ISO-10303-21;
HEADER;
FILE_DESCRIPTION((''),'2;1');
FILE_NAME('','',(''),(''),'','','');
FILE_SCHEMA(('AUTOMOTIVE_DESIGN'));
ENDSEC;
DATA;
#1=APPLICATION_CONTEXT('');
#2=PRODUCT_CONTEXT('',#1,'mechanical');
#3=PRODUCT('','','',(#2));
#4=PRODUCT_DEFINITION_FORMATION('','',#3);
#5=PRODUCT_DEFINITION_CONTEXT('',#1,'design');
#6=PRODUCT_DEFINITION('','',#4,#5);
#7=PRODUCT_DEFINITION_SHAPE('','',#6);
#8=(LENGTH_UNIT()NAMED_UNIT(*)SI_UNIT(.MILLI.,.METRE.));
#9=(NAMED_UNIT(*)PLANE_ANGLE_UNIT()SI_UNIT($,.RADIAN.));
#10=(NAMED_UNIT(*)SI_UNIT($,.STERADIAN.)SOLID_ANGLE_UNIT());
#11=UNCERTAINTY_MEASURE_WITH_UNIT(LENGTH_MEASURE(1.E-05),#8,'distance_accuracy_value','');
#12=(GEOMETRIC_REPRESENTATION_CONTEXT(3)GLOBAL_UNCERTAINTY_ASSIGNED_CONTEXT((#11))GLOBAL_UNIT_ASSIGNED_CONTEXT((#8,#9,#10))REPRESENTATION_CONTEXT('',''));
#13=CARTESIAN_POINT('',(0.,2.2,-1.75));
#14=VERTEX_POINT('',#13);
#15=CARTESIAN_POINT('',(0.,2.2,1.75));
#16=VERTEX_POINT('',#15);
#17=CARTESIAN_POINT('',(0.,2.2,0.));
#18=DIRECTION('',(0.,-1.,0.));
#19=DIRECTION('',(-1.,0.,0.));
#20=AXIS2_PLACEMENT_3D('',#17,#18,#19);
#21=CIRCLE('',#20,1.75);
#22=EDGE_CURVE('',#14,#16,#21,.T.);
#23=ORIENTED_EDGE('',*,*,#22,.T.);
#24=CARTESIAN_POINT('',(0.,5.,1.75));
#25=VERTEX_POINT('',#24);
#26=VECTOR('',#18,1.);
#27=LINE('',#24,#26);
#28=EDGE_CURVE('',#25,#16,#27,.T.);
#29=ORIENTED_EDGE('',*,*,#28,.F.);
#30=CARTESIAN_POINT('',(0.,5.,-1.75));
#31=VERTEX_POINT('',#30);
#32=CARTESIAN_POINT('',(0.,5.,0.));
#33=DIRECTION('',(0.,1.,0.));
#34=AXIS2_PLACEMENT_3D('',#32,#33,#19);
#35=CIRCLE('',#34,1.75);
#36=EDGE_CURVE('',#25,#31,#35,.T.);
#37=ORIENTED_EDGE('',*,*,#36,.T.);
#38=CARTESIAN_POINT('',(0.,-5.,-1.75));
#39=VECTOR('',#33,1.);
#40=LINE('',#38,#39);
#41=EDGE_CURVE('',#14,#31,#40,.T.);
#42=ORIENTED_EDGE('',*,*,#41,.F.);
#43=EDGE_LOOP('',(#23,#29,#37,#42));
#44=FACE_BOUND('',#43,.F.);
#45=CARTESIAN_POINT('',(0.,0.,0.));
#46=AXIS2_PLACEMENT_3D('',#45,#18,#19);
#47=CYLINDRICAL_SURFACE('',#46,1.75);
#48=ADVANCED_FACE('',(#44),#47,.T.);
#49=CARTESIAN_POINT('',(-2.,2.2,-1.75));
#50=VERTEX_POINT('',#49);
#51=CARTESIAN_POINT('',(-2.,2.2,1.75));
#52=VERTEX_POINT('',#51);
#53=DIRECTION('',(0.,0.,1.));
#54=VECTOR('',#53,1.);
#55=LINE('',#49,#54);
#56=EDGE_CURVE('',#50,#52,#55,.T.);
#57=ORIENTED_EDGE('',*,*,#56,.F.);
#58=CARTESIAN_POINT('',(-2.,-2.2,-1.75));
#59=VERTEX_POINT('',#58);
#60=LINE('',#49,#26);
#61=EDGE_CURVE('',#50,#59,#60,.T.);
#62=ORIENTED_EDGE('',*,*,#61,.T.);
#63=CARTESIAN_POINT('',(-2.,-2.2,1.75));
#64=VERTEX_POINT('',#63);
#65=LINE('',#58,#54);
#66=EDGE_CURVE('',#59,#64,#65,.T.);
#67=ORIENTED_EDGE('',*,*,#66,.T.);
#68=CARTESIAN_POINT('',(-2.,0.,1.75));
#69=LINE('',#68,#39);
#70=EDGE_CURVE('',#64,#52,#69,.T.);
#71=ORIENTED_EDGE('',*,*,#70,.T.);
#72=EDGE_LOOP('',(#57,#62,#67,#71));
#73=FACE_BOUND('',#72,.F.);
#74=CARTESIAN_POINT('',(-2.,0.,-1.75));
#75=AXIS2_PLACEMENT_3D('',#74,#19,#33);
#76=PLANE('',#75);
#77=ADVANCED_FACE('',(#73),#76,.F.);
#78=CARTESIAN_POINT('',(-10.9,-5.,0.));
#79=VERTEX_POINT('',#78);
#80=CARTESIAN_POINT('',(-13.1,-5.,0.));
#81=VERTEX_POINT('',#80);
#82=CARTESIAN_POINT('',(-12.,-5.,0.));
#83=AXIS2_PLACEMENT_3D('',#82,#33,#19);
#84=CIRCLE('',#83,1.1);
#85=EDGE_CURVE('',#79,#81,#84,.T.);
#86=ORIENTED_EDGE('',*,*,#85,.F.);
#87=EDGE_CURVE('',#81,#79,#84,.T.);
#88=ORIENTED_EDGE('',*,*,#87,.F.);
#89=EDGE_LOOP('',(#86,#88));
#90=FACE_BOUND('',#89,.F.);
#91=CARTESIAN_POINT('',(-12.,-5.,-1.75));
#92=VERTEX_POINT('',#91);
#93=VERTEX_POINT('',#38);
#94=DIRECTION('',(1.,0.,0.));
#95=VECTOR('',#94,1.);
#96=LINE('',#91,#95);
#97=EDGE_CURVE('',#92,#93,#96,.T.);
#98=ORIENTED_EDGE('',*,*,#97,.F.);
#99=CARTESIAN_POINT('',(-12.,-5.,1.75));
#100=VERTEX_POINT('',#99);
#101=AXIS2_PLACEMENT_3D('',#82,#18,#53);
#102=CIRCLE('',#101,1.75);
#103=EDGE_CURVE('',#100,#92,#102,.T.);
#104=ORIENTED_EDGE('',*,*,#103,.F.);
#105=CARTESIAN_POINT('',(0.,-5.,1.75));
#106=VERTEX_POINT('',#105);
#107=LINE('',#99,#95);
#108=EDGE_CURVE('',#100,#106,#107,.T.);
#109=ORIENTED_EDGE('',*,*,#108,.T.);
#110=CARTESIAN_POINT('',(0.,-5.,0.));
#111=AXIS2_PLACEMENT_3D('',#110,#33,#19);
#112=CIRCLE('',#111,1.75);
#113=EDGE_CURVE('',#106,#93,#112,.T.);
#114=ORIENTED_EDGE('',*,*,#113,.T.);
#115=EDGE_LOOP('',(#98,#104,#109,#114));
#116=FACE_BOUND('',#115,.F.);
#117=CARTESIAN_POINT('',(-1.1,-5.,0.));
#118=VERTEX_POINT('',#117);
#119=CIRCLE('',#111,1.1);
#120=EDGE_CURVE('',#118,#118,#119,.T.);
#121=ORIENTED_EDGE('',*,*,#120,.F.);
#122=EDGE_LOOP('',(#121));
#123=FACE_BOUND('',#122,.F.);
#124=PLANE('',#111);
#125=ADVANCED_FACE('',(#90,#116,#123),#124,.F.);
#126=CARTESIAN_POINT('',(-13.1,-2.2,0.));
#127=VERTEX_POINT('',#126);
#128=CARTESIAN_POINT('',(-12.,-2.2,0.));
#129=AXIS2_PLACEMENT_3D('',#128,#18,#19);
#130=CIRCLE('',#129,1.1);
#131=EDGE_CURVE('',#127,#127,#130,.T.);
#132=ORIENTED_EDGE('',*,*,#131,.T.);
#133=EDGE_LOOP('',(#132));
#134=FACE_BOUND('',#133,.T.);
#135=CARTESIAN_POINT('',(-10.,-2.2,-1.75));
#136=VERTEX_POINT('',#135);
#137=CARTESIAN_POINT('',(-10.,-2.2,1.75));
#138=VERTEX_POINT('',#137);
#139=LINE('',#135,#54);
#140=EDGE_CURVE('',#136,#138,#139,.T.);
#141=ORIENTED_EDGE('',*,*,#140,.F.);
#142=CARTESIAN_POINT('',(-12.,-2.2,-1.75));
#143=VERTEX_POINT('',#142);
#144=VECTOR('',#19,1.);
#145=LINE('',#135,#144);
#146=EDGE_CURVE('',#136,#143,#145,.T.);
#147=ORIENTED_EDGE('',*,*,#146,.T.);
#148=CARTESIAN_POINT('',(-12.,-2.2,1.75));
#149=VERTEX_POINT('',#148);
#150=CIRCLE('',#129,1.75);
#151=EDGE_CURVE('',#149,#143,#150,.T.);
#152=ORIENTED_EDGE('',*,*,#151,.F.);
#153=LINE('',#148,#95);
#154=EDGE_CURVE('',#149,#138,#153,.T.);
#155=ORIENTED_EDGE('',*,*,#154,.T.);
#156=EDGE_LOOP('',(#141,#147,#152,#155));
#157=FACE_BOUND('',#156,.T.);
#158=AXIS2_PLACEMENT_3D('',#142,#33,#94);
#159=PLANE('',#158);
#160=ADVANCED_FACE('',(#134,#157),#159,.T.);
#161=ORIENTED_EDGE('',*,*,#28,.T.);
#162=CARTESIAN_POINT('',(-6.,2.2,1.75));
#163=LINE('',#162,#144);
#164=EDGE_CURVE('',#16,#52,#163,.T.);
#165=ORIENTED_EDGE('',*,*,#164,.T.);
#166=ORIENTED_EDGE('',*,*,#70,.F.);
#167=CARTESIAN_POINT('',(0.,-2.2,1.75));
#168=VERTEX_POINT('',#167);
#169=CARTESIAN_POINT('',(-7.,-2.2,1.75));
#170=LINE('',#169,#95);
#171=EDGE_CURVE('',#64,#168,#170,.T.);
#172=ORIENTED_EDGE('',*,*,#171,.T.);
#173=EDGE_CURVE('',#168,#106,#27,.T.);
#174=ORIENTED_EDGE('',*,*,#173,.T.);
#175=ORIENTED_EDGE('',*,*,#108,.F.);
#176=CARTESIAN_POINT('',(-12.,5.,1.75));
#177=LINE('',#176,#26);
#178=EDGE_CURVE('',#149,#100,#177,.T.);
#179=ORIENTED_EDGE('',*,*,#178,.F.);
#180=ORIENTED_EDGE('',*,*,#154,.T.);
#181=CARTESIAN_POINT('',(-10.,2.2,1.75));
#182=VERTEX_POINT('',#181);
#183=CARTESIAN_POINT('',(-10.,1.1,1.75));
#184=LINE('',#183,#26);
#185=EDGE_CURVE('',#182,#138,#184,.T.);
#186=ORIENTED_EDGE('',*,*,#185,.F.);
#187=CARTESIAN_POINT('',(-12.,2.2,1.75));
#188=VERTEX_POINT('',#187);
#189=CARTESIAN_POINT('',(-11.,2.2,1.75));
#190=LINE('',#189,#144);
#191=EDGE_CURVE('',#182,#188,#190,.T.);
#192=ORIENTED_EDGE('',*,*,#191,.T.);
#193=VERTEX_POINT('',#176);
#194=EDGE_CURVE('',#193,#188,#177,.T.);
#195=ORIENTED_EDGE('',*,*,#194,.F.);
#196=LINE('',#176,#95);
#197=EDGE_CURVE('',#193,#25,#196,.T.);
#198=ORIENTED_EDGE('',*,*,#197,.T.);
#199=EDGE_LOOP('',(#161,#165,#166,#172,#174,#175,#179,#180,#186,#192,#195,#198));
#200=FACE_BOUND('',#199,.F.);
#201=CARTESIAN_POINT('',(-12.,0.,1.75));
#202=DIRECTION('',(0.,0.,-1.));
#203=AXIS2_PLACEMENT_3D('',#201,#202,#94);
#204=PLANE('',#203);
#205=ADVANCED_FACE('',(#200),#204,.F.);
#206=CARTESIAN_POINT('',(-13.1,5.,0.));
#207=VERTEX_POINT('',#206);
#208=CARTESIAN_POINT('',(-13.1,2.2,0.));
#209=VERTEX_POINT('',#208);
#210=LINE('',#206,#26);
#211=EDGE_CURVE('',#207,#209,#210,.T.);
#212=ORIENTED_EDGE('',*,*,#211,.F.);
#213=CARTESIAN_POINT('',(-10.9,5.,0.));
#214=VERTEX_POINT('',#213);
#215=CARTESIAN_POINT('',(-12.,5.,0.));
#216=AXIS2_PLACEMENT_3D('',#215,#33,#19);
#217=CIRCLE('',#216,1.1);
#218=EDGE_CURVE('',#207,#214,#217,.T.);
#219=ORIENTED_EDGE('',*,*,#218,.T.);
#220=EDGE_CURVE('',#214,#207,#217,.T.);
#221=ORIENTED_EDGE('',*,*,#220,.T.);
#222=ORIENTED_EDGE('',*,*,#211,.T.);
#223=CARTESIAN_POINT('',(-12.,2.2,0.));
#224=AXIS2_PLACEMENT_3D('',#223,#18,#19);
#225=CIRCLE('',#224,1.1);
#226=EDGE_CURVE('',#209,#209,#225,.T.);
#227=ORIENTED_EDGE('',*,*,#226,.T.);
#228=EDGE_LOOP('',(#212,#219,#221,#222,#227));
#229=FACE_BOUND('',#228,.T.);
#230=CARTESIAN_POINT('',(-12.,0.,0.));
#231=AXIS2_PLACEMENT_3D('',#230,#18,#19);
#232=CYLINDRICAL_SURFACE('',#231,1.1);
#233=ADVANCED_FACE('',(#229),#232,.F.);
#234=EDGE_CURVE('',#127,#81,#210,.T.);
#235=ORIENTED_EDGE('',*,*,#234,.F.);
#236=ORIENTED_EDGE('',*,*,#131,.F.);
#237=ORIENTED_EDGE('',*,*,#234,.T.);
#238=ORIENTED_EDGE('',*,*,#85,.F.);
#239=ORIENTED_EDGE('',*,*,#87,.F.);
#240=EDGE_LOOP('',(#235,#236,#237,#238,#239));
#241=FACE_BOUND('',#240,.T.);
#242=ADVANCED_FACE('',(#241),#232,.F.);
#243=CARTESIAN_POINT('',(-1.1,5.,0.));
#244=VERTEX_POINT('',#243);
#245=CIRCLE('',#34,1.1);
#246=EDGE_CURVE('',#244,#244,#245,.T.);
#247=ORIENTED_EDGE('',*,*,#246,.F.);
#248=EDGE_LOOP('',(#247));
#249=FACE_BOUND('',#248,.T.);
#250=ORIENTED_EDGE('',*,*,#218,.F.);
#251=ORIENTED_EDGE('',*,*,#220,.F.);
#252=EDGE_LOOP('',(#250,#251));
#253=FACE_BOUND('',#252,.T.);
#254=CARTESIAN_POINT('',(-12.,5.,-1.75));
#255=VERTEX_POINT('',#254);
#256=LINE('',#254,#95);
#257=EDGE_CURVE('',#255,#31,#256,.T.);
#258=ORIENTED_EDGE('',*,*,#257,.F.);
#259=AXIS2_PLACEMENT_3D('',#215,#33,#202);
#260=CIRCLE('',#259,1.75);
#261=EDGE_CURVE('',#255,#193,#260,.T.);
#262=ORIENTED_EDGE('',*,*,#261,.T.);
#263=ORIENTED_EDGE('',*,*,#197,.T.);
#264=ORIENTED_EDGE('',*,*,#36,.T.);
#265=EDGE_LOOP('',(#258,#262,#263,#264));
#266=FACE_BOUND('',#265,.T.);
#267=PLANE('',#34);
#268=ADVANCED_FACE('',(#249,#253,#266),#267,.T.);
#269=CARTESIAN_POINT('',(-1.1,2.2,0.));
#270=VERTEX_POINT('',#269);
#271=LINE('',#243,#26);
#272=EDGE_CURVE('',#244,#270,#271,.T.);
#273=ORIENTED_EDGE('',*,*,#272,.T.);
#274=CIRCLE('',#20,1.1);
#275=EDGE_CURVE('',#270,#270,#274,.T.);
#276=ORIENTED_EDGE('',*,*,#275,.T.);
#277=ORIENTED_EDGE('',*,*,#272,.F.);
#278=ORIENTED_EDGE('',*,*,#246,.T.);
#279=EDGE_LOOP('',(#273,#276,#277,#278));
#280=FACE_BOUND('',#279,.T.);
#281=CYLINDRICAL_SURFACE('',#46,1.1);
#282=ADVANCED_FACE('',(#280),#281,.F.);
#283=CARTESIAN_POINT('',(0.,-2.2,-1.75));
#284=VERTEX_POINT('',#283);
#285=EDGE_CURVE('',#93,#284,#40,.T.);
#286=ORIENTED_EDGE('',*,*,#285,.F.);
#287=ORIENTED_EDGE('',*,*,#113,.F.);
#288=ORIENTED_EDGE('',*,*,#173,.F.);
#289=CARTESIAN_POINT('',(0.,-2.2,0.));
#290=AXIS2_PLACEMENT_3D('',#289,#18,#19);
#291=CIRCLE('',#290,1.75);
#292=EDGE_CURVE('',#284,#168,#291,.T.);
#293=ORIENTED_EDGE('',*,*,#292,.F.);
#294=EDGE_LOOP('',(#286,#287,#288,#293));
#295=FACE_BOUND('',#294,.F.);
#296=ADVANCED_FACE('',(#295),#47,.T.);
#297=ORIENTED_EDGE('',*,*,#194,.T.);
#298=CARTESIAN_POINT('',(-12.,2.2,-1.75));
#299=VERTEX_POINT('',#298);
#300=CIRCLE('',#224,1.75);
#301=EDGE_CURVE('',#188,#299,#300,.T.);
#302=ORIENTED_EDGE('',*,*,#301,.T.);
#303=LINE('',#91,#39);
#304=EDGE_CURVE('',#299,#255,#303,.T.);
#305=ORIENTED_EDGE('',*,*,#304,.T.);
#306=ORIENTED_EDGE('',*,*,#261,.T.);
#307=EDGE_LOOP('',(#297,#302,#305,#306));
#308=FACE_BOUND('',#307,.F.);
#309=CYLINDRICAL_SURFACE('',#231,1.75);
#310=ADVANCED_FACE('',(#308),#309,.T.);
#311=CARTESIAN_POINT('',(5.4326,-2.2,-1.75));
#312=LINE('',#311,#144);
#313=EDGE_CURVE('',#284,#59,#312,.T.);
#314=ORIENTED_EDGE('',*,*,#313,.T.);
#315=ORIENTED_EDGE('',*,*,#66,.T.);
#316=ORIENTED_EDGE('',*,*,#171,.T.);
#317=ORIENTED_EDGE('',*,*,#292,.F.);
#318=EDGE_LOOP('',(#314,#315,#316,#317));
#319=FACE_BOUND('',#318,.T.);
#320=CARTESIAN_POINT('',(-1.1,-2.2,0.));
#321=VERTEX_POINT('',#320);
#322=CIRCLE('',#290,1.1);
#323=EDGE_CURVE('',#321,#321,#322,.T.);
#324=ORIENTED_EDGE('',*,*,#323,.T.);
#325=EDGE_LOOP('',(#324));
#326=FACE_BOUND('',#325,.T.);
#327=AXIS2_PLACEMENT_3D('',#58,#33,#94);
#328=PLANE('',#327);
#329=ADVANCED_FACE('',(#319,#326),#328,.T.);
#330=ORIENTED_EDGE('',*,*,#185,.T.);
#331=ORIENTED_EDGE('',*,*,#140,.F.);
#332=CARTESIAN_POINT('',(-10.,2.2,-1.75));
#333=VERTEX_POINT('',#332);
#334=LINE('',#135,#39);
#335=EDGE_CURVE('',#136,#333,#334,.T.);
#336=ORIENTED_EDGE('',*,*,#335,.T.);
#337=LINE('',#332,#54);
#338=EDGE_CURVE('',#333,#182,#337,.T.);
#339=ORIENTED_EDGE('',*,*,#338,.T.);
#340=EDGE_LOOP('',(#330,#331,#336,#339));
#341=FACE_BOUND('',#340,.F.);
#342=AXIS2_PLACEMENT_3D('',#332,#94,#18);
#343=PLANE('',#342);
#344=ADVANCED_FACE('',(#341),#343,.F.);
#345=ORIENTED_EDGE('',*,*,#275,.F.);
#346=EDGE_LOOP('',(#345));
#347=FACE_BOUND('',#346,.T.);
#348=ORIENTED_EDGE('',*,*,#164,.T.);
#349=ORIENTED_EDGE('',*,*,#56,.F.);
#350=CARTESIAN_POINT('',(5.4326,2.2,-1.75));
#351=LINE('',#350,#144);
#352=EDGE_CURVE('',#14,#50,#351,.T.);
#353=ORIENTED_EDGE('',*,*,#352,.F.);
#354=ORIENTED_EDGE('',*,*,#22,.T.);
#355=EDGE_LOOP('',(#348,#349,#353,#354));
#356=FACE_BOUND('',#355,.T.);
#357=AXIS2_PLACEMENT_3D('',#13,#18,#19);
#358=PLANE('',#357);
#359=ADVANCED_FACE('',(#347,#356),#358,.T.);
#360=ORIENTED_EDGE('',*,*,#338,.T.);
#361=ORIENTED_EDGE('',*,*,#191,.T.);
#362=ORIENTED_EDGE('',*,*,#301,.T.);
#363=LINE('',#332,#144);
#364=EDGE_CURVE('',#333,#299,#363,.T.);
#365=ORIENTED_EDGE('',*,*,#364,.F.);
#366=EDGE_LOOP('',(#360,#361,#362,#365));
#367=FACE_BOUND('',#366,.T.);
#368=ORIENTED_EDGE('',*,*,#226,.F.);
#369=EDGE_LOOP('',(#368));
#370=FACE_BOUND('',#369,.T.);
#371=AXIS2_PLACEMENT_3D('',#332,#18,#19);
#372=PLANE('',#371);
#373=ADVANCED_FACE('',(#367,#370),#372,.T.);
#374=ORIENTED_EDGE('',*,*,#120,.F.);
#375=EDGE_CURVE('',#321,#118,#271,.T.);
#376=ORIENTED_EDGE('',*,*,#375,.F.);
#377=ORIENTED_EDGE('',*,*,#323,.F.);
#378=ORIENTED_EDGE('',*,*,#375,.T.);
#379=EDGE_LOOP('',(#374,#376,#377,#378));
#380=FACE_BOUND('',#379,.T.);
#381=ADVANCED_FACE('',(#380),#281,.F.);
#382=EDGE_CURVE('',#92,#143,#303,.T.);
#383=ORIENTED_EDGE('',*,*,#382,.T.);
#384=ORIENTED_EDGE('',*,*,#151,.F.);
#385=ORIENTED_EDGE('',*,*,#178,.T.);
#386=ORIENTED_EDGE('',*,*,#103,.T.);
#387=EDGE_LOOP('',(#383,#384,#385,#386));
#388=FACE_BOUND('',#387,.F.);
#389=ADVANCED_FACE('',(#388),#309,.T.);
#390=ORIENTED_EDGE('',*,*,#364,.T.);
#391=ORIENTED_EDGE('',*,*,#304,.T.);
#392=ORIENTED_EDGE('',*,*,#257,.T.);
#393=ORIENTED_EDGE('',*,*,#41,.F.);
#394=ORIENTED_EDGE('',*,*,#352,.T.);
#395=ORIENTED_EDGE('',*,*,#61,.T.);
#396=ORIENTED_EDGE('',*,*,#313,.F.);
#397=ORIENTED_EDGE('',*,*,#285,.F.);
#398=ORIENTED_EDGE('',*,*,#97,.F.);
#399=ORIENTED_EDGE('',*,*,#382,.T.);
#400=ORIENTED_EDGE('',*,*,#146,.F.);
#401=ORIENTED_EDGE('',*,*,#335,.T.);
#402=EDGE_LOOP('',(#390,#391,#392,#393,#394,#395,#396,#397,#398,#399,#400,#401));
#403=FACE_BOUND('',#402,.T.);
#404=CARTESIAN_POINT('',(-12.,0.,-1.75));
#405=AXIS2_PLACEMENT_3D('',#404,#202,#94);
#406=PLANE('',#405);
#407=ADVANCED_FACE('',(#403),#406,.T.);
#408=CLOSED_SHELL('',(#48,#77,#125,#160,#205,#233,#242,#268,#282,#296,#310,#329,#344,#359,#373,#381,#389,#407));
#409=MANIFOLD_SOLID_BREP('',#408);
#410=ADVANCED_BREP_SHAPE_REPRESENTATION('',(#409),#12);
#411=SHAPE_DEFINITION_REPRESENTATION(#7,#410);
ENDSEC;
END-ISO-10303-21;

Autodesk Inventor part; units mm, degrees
ref_plane "YZ Plane" through (0, 0, 0) normal (1, 0, 0) x (0, 1, 0)
ref_plane "XZ Plane" through (0, 0, 0) normal (0, 1, 0) x (-1, 0, 0)
ref_plane "XY Plane" through (0, 0, 0) normal (0, 0, 1) x (1, 0, 0)
sketch "Sketch1" plane through (0, 0, 0) normal (0, 1, 0) x (-1, 0, 0)
  line L0 (0, 0) -> (12, 0)
  circle A0 centre (12, 0) radius 1.1
  circle A1 centre (0, 0) radius 1.1
  circle A2 centre (12, 0) radius 1.75
  circle A3 centre (0, 0) radius 1.75
  line L1 (12, 1.75) -> (0, 1.75)
  line L2 (12, -1.75) -> (0, -1.75)
  dimension "d0" = 12
  dimension "d1" = 2.2
  dimension "d2" = 2.2
  dimension "d3" = 3.5
  dimension "d4" = 3.5
extrude "Extrusion1" add sketch "Sketch1" along normal mid plane 10
sketch "Sketch2" plane through (0, 5, -1.75) normal (0, 0, -1) x (-1, 0, 0)
  line L0 (0, 0) -> (-1.75, 0) projected
  line L1 (0, 0) -> (2, 0)
  line L2 (0, 0) -> (12, 0) projected
  line L3 (13.75, 0) -> (12, 0) projected
  line L4 (12, -10) -> (0, -10) projected
  line L5 (12, 0) -> (10, 0)
  line L6 (10, 0) -> (10, -10)
  line L7 (10, -10) -> (12, -10)
  line L8 (12, -10) -> (12, 0)
  line L9 (2, 0) -> (0, 0)
  line L10 (0, 0) -> (0, -10)
  line L11 (0, -10) -> (2, -10)
  line L12 (2, -10) -> (2, 0)
  line L13 (10, -5) -> (10, -2.8)
  line L14 (10, -5) -> (10, -7.2)
  line L15 (10, -2.8) -> (14.3715, -2.8)
  line L16 (14.3715, -2.8) -> (14.3715, -7.2)
  line L17 (14.3715, -7.2) -> (10, -7.2)
  line L18 (10, -7.2) -> (10, -2.8)
  line L19 (2, -5) -> (2, -2.8)
  line L20 (2, -5) -> (2, -7.2)
  line L21 (2, -7.2) -> (-5.4326, -7.2)
  line L22 (-5.4326, -7.2) -> (-5.4326, -2.8)
  line L23 (-5.4326, -2.8) -> (2, -2.8)
  line L24 (2, -2.8) -> (2, -7.2)
  point P0 (0, -5)
  dimension "d7" = 2
  dimension "d8" = 2
  dimension "d9" = 2.2
  dimension "d10" = 2.2
  dimension "d11" = 2.2
  dimension "d12" = 2.2
extrude "Extrusion2" cut sketch "Sketch2" against normal blind 10 contours L23 L12 L21 L10 | L10 L21 L22 L23 | L15 L8 L17 L6 | L15 L16 L17 L8
properties part number "link_v4"
